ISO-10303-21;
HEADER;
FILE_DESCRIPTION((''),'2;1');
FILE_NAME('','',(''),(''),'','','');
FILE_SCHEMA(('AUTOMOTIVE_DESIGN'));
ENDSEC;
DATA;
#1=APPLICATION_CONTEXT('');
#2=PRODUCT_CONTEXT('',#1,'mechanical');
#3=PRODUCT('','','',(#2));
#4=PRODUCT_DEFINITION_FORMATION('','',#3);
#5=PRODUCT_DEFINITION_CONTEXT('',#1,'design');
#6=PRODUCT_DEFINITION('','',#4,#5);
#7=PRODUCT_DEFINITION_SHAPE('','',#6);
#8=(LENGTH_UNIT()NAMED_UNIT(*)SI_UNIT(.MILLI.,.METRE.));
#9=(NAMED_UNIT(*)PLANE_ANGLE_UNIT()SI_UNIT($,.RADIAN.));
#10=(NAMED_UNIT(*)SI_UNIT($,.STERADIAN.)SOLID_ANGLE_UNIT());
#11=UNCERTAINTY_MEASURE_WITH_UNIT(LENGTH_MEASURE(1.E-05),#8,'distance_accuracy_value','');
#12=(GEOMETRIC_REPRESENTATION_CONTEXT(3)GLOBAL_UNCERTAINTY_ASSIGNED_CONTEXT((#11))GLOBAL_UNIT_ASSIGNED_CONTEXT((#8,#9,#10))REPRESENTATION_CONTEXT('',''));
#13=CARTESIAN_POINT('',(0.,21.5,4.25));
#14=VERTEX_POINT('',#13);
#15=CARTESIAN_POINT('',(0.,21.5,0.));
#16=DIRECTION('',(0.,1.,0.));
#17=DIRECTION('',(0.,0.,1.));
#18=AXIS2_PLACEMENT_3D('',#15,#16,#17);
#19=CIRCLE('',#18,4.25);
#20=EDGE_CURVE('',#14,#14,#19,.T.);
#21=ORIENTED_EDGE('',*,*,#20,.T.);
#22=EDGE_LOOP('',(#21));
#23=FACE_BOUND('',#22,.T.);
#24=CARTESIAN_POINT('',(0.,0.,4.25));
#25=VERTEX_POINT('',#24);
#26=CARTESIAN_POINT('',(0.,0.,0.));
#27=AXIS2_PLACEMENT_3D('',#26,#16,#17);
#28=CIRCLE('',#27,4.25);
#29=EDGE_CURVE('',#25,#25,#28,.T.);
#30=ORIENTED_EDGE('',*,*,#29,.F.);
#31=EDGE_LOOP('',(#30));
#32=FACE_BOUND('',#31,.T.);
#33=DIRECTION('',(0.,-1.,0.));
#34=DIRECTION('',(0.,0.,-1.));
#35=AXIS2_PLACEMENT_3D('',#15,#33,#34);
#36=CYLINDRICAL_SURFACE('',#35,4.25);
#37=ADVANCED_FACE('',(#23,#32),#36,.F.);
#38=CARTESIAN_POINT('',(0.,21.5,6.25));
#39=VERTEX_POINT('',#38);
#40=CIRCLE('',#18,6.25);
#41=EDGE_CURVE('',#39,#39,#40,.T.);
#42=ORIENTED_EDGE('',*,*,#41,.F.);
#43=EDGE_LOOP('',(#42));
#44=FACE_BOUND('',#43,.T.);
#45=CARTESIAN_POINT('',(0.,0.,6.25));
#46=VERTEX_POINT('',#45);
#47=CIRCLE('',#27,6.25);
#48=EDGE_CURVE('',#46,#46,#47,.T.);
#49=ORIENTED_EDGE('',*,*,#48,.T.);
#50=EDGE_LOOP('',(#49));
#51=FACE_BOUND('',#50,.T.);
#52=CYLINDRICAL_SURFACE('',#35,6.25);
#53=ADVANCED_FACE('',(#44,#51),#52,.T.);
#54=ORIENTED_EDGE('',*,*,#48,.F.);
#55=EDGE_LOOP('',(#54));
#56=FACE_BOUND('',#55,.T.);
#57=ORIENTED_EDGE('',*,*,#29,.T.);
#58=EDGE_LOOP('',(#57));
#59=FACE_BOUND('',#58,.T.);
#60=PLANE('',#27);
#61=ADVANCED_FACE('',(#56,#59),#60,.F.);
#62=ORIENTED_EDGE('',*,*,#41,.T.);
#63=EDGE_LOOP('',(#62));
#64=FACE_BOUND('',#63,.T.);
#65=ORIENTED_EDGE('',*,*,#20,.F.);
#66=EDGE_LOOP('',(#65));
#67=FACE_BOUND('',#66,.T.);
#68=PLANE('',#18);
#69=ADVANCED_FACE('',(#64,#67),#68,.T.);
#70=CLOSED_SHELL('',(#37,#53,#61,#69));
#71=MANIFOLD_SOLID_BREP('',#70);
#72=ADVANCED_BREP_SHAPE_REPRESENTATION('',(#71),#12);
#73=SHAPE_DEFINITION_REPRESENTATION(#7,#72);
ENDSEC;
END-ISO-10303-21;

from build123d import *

# Parameters (mm, degrees)
CROQUIS1_R              = 6.25
CROQUIS1_R_2            = 4.25
SALIENTE_EXTRUIR1_DEPTH = 21.5


with BuildPart() as part:
    # Croquis1 → Saliente-Extruir1 (new body)
    with BuildSketch(Plane(origin=(0, 0, 0), x_dir=(1, 0, 0), z_dir=(0, 1, 0))):
        Circle(CROQUIS1_R)
        Circle(CROQUIS1_R_2, mode=Mode.SUBTRACT)
    extrude(amount=SALIENTE_EXTRUIR1_DEPTH)


solid = part.part
